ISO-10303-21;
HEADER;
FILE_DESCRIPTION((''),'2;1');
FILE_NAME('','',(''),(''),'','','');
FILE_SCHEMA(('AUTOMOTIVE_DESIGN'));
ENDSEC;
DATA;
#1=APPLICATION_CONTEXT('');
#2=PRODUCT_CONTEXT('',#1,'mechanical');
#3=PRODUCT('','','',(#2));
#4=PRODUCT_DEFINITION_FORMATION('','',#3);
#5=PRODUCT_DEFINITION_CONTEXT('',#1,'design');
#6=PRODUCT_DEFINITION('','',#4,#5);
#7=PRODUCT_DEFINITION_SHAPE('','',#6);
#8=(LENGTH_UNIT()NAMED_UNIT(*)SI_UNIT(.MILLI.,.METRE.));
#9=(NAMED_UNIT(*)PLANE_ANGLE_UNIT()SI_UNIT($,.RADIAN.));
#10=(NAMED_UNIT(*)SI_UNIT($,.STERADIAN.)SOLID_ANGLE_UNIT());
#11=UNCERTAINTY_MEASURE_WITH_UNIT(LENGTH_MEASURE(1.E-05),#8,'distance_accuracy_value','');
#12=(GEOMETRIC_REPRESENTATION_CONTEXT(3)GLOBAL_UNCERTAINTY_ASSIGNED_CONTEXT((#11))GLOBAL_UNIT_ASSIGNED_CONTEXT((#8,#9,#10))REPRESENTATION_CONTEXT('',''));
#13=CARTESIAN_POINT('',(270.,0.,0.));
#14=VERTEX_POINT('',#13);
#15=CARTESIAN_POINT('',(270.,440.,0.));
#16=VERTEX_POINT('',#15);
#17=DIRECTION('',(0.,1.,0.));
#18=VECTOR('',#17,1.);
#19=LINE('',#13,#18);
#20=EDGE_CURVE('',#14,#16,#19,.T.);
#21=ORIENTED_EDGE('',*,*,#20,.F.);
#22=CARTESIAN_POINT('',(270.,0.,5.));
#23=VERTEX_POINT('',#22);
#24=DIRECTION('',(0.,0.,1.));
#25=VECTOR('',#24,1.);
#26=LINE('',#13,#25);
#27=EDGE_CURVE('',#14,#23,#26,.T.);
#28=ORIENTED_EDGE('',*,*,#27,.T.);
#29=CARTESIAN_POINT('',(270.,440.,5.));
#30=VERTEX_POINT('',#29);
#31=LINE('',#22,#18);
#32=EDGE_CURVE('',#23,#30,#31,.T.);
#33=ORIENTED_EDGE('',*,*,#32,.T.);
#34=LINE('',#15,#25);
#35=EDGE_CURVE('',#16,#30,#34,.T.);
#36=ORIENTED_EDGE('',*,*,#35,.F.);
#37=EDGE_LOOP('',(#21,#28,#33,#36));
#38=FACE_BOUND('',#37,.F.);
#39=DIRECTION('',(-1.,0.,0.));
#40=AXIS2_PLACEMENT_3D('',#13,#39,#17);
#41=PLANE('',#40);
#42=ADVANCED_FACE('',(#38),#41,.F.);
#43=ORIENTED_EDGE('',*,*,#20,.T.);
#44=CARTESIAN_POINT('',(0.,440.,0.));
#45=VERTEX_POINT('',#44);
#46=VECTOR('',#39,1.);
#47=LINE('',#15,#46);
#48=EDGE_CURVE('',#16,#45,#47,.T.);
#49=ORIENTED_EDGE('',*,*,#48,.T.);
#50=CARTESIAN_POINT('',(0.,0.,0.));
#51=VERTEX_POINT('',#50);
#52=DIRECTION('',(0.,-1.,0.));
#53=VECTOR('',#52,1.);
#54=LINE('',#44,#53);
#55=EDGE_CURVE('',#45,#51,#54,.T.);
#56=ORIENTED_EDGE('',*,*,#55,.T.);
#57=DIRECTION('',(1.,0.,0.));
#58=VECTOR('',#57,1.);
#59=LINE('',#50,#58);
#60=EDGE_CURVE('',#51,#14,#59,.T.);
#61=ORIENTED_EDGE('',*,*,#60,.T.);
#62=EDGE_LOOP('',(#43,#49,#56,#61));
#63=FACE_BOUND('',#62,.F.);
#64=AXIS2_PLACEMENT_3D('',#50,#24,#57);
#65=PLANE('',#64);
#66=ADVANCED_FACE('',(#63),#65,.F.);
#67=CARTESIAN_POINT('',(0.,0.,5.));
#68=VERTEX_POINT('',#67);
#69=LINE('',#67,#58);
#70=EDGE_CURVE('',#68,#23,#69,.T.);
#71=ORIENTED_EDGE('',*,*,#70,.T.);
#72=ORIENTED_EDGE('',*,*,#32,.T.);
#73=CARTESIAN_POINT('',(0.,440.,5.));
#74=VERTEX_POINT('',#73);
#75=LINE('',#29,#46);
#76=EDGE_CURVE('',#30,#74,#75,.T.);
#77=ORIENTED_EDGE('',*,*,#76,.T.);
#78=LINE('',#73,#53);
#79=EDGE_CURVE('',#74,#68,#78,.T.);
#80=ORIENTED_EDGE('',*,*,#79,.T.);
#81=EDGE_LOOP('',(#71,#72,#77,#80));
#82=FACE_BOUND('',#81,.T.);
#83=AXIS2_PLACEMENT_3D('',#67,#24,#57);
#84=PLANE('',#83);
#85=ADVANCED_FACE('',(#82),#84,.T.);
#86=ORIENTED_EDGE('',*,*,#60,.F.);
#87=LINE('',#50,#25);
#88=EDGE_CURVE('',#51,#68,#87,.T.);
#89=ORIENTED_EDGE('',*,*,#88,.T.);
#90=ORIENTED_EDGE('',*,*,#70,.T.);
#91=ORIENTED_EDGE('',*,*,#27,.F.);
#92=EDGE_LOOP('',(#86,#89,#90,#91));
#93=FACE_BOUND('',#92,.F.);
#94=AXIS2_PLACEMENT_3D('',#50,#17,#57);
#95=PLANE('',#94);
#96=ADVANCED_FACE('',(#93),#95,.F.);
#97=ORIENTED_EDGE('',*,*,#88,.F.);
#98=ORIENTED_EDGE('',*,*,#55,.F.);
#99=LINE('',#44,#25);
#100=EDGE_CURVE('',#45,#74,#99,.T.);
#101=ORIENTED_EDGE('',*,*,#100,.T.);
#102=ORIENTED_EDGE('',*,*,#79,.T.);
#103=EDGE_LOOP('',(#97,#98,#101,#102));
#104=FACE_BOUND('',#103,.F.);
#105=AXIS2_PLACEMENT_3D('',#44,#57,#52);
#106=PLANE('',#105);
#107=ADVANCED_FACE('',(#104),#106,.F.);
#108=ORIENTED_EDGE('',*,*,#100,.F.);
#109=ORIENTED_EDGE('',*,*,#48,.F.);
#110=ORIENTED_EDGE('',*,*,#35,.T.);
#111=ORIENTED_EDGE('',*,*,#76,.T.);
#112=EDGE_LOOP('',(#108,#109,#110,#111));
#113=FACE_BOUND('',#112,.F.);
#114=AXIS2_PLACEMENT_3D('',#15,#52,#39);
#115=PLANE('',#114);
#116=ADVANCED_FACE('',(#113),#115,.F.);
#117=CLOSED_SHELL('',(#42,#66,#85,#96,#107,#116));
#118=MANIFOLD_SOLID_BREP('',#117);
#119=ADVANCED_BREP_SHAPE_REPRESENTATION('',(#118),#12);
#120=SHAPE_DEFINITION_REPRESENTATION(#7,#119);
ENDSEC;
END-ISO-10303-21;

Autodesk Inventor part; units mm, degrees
ref_plane "YZ Plane" through (0, 0, 0) normal (1, 0, 0) x (0, 1, 0)
ref_plane "XZ Plane" through (0, 0, 0) normal (0, 1, 0) x (-1, 0, 0)
ref_plane "XY Plane" through (0, 0, 0) normal (0, 0, 1) x (1, 0, 0)
sketch "Sketch1" plane through (0, 0, 0) normal (0, 0, 1) x (1, 0, 0)
  line L0 (0, 0) -> (270, 0)
  line L1 (270, 0) -> (270, 440)
  line L2 (270, 440) -> (0, 440)
  line L3 (0, 440) -> (0, 0)
  dimension "d0" = 270
  dimension "d1" = 440
extrude "Extrusion1" add sketch "Sketch1" along normal blind 5
properties part number "Suporte painel 2"
